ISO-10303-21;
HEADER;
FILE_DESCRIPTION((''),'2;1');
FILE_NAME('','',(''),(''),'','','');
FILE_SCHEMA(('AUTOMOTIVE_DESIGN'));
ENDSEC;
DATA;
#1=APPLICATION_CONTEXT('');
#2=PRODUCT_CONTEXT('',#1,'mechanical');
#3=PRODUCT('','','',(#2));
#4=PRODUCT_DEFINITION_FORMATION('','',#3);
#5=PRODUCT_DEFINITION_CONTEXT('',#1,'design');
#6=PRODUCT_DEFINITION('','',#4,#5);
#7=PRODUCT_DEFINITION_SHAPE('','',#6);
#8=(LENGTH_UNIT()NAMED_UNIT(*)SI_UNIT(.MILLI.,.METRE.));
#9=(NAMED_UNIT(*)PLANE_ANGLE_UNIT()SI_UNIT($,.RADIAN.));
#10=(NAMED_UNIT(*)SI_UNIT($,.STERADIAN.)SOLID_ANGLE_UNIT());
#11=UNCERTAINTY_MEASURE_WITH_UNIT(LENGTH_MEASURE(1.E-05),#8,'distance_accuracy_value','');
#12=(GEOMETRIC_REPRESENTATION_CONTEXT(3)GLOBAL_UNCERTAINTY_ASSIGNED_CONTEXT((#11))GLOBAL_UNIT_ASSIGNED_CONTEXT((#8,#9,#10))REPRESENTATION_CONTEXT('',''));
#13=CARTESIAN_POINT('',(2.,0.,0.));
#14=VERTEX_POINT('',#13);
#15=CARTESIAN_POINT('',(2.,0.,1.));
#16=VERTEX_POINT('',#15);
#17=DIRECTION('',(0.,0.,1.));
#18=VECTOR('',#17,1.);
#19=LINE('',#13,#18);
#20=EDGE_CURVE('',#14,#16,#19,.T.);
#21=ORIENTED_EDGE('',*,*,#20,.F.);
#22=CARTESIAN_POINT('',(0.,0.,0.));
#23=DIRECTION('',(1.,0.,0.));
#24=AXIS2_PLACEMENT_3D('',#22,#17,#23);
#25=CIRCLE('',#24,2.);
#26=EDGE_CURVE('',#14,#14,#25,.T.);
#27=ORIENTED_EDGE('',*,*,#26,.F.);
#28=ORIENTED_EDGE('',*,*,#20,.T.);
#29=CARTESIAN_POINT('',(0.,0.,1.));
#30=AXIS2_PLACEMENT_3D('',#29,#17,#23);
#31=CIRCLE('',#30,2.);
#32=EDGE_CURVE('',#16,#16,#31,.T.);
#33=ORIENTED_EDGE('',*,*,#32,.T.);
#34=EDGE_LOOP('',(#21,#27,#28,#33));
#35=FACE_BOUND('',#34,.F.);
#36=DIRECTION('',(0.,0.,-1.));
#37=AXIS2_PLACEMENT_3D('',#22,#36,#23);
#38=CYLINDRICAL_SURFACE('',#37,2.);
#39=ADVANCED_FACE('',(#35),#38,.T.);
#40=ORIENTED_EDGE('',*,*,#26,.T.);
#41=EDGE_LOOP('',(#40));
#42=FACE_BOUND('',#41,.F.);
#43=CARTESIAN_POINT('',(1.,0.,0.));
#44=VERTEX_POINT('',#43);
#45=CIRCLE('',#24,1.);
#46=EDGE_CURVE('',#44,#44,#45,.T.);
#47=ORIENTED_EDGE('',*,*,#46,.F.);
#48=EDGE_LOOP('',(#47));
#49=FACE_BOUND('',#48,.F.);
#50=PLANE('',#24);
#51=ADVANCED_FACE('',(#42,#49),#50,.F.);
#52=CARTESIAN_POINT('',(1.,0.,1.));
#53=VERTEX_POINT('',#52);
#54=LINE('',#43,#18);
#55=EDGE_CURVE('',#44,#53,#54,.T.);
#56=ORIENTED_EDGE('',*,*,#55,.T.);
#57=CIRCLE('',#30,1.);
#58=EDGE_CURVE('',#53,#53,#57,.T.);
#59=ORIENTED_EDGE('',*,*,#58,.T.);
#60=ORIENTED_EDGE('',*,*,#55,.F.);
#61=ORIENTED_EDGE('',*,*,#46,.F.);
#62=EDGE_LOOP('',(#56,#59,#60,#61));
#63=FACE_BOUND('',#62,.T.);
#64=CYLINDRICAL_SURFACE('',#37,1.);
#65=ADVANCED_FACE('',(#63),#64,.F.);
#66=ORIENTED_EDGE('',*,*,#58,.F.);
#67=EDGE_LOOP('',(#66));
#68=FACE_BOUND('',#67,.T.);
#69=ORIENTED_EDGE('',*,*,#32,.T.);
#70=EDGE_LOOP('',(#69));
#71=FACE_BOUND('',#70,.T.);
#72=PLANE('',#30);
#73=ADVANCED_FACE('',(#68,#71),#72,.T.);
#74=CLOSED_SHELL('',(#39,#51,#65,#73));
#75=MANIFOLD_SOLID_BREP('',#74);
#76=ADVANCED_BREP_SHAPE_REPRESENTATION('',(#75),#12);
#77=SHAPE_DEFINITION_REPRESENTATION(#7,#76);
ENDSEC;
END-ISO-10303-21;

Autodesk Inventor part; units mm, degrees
ref_plane "YZ Plane" through (0, 0, 0) normal (1, 0, 0) x (0, 1, 0)
ref_plane "XZ Plane" through (0, 0, 0) normal (0, 1, 0) x (-1, 0, 0)
ref_plane "XY Plane" through (0, 0, 0) normal (0, 0, 1) x (1, 0, 0)
sketch "スケッチ1" plane through (0, 0, 0) normal (0, 0, 1) x (1, 0, 0)
  circle A0 centre (0, 0) radius 2
  circle A1 centre (0, 0) radius 1
  dimension "d0" = 4
  dimension "d1" = 1
extrude "押し出し1" add sketch "スケッチ1" along normal blind 1
properties part number "spacer-m2-1mm"
